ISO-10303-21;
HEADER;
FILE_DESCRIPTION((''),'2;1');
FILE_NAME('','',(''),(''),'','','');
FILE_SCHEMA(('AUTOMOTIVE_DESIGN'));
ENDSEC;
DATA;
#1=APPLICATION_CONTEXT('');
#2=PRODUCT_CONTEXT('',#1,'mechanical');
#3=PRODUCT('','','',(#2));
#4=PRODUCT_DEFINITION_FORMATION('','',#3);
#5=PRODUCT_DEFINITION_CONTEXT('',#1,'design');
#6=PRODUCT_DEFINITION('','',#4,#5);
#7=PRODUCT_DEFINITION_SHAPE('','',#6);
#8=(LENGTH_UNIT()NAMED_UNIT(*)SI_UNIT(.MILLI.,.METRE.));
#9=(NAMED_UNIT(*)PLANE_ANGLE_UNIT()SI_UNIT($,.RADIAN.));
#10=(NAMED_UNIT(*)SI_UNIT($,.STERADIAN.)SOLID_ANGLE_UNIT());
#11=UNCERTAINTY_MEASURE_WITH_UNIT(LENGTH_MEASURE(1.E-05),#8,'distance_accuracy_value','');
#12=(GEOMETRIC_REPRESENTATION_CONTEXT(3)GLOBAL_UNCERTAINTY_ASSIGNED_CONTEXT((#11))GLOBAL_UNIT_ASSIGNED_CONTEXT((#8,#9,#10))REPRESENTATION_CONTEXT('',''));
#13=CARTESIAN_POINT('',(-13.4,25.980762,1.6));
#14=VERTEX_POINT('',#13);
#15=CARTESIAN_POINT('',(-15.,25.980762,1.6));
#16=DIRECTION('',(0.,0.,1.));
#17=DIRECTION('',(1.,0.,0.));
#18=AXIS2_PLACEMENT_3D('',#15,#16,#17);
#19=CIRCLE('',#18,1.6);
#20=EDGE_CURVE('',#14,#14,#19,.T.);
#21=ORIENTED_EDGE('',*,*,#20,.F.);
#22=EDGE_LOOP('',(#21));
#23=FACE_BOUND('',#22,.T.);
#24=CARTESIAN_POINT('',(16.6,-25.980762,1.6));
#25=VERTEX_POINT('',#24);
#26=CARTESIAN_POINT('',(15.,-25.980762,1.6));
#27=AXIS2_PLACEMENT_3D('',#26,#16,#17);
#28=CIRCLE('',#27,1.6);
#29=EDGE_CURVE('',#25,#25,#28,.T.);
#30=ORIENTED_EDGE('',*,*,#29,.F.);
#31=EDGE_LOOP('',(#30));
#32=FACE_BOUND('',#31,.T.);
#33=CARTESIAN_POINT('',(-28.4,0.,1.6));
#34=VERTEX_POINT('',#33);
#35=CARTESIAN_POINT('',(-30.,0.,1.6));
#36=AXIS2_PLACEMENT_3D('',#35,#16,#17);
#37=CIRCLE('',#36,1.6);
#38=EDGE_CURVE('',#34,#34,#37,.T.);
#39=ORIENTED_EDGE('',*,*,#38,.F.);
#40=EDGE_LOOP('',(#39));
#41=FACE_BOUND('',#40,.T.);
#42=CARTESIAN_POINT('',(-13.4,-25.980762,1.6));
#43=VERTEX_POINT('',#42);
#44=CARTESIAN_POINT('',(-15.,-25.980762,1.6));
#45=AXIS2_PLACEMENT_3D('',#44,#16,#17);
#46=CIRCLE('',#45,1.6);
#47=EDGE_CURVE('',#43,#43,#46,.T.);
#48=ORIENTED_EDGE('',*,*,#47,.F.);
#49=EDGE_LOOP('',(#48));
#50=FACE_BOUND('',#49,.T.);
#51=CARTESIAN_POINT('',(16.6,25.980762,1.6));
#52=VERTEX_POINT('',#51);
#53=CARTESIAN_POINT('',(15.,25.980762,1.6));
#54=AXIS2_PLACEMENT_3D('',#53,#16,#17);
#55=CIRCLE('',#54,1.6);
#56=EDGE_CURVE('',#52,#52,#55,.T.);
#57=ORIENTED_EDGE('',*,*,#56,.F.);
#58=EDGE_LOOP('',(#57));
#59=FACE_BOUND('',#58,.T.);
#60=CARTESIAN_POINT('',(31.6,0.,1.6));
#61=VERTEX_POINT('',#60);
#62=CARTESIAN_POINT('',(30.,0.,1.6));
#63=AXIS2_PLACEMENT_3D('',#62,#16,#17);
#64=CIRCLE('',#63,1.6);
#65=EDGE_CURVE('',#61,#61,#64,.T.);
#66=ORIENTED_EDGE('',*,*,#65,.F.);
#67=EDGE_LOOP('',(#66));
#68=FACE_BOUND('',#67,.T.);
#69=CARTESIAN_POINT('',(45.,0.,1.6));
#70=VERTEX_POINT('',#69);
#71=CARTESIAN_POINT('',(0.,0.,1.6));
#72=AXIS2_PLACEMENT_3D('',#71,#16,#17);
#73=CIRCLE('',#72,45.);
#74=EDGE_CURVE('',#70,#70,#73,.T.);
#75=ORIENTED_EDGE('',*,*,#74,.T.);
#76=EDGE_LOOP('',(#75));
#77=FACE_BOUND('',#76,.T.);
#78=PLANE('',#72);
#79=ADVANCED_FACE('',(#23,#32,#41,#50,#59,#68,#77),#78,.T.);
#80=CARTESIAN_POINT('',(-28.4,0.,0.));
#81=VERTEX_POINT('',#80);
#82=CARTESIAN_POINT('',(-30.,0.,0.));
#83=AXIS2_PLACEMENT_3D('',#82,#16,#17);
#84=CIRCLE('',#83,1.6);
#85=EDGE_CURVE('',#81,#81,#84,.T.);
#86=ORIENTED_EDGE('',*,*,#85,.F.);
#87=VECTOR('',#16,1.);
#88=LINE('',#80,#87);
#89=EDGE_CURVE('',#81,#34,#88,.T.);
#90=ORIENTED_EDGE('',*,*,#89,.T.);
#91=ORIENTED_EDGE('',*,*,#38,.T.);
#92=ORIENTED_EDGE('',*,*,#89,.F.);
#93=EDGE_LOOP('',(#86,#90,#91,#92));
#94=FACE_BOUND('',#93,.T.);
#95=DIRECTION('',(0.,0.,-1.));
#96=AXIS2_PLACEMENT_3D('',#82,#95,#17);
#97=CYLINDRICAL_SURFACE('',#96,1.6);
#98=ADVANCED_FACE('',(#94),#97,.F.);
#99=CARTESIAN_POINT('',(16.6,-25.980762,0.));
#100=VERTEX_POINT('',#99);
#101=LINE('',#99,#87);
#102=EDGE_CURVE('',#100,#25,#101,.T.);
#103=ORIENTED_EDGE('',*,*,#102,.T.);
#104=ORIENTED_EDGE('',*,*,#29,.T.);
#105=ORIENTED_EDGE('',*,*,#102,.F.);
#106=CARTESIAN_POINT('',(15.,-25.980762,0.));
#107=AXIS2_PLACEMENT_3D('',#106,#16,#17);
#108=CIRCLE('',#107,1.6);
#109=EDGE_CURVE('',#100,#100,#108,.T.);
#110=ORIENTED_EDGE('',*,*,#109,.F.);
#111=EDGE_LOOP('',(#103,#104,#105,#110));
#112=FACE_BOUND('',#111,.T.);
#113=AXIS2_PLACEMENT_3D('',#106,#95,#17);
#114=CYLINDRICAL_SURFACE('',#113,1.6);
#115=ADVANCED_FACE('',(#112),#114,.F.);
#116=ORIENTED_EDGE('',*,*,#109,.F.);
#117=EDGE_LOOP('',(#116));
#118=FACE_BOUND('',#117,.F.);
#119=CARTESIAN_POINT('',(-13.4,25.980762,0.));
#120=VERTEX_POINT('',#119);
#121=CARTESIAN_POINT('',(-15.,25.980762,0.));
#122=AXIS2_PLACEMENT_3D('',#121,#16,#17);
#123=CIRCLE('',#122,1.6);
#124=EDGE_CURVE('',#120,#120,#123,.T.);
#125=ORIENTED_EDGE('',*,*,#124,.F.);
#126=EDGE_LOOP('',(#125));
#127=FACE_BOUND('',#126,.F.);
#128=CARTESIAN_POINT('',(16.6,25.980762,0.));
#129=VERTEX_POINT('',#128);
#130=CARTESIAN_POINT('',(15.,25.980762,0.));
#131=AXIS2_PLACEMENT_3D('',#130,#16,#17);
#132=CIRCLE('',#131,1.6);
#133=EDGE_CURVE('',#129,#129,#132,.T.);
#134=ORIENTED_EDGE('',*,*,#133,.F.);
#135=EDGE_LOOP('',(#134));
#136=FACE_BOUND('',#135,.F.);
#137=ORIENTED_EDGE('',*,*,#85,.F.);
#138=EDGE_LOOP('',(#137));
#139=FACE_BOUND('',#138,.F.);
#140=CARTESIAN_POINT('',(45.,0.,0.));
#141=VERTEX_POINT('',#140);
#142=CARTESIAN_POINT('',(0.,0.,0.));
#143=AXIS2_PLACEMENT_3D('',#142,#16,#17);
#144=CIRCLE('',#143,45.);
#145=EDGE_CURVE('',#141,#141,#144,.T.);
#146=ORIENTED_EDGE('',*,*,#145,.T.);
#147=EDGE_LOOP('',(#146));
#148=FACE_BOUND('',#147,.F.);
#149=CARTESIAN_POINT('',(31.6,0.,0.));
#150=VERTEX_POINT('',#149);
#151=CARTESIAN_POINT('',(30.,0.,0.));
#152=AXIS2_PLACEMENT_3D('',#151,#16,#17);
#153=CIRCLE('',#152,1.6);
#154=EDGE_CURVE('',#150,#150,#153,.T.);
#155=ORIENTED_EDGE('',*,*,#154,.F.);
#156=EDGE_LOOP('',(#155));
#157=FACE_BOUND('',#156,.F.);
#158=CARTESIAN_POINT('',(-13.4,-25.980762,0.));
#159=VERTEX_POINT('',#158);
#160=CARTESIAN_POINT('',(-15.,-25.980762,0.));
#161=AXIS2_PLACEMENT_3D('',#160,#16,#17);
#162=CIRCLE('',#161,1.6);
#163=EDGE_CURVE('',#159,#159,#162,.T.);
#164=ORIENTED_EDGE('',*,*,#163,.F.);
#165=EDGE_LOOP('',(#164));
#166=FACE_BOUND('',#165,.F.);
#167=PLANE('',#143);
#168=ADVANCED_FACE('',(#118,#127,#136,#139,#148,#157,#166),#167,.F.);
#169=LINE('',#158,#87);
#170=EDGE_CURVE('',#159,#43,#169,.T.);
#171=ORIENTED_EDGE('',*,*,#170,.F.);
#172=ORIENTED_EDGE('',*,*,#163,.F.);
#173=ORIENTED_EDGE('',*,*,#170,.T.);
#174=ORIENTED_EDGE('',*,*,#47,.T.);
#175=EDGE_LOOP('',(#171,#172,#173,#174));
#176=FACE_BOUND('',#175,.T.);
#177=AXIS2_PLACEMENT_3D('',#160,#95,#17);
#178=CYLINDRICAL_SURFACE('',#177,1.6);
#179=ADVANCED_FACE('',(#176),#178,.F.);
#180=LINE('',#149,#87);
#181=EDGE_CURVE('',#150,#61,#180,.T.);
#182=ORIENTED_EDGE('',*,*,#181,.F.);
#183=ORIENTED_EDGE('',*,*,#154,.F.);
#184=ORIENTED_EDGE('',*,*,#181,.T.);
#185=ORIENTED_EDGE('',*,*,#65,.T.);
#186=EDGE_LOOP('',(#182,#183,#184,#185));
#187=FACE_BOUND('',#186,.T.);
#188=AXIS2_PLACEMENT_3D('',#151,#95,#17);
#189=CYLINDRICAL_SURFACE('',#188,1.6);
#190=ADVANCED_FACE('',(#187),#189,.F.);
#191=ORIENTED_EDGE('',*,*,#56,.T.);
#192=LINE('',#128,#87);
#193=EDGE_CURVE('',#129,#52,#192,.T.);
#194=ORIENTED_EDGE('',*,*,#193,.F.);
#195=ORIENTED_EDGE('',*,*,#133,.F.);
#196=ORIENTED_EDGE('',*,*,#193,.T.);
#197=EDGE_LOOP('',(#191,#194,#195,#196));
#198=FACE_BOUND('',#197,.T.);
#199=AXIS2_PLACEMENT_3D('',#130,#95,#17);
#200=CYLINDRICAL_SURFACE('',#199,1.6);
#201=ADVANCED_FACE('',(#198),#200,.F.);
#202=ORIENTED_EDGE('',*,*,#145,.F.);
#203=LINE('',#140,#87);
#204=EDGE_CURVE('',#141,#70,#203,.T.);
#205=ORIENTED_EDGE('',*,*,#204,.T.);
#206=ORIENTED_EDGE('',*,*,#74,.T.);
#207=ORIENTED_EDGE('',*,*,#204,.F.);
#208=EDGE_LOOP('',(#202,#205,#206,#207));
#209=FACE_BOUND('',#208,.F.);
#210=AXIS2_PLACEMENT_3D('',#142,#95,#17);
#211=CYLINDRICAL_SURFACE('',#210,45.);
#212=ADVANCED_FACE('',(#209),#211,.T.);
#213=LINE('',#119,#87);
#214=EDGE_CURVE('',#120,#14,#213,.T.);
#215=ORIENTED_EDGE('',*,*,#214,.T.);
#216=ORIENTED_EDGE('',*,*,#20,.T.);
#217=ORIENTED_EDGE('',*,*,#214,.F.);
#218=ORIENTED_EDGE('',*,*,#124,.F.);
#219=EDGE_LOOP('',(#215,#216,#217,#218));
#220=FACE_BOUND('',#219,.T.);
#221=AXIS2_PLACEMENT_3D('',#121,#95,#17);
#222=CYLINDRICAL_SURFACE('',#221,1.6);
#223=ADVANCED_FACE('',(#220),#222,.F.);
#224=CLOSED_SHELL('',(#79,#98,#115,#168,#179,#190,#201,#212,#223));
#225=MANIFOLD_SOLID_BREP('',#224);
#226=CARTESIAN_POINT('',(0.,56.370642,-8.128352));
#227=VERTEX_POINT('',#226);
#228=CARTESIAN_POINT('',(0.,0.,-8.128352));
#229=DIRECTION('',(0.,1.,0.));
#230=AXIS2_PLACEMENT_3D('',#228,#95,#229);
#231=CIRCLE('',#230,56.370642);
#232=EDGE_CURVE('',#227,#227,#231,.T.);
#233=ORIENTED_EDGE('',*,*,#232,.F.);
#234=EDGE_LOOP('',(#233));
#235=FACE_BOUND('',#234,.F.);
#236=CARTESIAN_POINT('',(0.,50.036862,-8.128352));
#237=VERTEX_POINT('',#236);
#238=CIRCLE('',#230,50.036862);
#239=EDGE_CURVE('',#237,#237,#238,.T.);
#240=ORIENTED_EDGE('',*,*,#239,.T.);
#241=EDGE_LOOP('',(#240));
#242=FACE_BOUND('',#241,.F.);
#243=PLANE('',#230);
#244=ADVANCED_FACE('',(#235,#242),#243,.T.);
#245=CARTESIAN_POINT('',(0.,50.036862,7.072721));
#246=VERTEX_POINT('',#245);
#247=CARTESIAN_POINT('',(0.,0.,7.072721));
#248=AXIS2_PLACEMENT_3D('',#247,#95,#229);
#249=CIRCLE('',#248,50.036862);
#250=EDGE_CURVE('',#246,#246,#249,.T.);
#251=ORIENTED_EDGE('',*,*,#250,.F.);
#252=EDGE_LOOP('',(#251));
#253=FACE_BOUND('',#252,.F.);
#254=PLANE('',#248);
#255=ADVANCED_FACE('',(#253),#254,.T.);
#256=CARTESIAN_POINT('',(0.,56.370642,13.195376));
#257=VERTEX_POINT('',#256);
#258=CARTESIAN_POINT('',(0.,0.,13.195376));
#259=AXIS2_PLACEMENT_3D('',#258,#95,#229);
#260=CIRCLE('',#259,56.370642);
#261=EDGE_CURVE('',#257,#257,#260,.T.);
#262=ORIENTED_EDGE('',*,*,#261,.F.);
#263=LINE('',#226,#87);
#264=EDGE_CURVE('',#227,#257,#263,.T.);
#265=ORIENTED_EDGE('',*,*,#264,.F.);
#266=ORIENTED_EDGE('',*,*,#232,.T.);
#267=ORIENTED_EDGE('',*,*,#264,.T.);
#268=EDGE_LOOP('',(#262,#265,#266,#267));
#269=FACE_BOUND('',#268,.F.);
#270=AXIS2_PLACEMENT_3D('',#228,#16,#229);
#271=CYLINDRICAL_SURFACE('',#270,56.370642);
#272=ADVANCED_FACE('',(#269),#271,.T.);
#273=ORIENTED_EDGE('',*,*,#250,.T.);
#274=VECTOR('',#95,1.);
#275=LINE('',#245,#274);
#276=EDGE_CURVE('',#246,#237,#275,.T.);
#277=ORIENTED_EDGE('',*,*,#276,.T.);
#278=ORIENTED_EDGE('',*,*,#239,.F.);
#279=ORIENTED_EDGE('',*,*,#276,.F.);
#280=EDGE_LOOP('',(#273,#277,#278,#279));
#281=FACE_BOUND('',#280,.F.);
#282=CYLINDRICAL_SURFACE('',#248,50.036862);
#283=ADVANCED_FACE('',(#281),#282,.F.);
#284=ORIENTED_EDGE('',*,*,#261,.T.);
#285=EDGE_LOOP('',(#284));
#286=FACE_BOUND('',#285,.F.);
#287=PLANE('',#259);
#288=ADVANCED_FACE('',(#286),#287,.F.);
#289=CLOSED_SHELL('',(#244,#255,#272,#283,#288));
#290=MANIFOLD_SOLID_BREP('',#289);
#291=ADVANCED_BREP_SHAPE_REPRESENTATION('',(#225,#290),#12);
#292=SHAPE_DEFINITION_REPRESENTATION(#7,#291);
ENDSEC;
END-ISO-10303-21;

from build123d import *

# Parameters (mm, degrees)
F0_R     = 45
F0_R_2   = 1.6
F1_DEPTH = 1.6


with BuildPart() as f1:
    # F0 (on Top) → F1 (new body)
    with BuildSketch(Plane.XY):
        Circle(F0_R)
        with Locations((-15, -25.980762)):
            Circle(F0_R_2, mode=Mode.SUBTRACT)
        with Locations((15, -25.980762)):
            Circle(F0_R_2, mode=Mode.SUBTRACT)
        with Locations((-30, 0)):
            Circle(F0_R_2, mode=Mode.SUBTRACT)
        with Locations((-15, 25.980762)):
            Circle(F0_R_2, mode=Mode.SUBTRACT)
        with Locations((30, 0)):
            Circle(F0_R_2, mode=Mode.SUBTRACT)
        with Locations((15, 25.980762)):
            Circle(F0_R_2, mode=Mode.SUBTRACT)
    extrude(amount=F1_DEPTH)


with BuildPart() as f3:
    # F2 (on Right) → F3 (revolve)
    with BuildSketch(Plane.YZ):
        Polygon((0, 13.195376), (0, 7.072721), (50.036862, 7.072721), (50.036862, -8.128352), (56.370642, -8.128352), (56.370642, 13.195376), align=None)
    revolve(axis=Axis((0, 0, 10.134049), (0, 0, -1)))


solid = Compound([f1.part, f3.part])
